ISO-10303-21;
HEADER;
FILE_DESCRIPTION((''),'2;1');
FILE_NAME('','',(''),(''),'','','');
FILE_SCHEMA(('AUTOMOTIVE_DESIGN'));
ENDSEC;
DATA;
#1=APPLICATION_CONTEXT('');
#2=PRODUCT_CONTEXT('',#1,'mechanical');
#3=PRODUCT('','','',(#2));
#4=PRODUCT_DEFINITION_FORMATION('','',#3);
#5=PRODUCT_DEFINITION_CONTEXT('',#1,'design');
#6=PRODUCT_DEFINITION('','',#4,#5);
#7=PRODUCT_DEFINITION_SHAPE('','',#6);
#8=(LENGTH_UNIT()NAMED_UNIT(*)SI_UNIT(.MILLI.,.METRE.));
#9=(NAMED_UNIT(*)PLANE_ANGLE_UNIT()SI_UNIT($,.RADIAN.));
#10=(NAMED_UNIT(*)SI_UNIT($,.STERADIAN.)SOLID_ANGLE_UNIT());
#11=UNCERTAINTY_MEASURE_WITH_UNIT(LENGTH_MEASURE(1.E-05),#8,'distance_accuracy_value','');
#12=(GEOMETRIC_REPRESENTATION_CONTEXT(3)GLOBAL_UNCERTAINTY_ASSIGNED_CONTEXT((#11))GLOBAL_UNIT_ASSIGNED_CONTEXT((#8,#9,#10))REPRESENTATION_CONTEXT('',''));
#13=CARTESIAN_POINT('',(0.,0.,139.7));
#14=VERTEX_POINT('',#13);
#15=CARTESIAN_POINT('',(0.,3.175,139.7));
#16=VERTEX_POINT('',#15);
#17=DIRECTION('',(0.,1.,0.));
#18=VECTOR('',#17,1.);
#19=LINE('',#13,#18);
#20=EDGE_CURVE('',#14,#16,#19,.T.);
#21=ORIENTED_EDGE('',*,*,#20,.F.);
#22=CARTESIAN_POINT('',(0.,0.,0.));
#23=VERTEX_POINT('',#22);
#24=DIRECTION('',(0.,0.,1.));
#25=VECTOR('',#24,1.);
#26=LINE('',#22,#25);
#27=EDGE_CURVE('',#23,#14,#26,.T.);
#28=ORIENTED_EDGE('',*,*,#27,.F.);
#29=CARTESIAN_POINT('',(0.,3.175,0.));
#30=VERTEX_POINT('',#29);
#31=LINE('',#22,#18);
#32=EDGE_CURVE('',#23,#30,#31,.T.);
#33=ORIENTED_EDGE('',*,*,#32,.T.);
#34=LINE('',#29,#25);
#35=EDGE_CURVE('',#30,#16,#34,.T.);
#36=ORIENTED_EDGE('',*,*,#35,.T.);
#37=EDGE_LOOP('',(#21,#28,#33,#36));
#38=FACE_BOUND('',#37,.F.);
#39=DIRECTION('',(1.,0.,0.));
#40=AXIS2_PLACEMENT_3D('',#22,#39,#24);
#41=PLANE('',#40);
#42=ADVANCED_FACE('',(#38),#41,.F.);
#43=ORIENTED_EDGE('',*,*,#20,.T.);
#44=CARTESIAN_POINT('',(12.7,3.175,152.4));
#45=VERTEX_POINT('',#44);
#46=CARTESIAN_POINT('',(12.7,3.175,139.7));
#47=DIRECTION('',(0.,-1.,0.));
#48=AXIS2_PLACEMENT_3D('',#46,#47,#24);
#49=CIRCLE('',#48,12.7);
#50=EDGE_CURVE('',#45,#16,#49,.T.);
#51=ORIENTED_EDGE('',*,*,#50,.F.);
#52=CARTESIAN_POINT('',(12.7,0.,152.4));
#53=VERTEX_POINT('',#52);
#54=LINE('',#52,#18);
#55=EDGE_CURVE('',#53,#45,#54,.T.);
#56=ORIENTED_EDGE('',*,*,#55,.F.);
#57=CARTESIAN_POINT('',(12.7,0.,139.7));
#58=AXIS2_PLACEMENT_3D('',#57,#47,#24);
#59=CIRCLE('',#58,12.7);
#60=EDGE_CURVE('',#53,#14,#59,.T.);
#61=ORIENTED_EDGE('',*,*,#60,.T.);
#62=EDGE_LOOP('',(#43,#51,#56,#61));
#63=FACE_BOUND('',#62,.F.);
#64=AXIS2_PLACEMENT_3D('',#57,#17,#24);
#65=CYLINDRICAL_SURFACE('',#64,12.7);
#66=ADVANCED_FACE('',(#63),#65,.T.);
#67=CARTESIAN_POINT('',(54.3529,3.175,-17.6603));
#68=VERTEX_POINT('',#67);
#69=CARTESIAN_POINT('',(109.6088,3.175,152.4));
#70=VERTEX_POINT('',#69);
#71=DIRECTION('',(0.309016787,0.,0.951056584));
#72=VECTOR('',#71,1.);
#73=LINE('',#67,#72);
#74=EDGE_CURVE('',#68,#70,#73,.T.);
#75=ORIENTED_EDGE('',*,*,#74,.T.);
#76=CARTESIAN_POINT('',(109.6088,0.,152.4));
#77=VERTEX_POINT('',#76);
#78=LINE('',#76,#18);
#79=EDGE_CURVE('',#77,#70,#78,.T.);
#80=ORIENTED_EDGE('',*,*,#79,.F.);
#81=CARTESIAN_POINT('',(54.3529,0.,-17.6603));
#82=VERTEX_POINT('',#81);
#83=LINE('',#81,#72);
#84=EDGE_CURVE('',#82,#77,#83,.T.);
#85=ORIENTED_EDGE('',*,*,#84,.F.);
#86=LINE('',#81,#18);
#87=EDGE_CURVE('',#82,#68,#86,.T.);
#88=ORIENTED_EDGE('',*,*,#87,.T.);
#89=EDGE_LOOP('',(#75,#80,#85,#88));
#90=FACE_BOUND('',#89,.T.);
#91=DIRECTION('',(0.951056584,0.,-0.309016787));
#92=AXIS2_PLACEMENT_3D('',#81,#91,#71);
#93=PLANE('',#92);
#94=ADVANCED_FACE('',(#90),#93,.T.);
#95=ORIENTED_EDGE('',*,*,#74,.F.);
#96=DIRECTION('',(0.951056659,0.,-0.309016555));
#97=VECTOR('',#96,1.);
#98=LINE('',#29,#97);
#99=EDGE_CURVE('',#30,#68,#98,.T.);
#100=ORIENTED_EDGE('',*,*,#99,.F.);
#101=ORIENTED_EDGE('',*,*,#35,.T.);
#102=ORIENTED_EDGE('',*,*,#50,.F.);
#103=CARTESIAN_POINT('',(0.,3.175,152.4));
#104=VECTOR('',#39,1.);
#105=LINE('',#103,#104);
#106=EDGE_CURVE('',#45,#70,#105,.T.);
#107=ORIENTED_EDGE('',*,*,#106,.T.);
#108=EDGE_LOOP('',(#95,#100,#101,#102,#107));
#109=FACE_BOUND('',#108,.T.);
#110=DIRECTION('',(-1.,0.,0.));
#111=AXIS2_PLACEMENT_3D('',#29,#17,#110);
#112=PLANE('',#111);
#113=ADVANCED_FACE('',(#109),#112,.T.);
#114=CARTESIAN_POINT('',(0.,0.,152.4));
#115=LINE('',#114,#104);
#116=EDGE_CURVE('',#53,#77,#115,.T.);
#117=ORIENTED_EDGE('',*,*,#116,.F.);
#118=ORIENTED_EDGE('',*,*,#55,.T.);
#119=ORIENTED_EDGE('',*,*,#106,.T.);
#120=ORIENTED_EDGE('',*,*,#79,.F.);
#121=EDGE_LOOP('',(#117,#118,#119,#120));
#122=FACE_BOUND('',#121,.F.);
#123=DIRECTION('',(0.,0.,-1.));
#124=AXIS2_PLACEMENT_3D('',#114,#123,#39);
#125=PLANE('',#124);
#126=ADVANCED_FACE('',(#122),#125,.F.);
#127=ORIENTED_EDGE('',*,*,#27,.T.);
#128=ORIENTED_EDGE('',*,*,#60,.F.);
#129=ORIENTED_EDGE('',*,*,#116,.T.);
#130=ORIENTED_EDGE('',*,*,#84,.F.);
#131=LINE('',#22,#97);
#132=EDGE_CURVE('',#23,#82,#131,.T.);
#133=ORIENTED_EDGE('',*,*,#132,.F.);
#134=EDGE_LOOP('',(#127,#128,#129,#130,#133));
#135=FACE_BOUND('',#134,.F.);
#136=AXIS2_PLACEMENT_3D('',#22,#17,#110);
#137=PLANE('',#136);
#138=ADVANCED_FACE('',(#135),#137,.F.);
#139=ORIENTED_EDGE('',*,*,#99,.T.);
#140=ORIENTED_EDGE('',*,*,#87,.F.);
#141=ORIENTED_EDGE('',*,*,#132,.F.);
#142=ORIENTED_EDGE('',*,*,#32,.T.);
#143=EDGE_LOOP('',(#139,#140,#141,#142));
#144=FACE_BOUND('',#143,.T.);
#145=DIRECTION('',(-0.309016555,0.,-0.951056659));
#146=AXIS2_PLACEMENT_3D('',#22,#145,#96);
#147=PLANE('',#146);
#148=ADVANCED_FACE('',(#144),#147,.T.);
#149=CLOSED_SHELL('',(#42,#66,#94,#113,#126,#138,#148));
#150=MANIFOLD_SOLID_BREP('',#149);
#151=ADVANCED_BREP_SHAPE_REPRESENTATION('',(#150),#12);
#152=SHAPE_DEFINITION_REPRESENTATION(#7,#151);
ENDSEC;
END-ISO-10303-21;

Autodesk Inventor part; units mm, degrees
ref_plane "YZ Plane" through (0, 0, 0) normal (1, 0, 0) x (0, 1, 0)
ref_plane "XZ Plane" through (0, 0, 0) normal (0, 1, 0) x (-1, 0, 0)
ref_plane "XY Plane" through (0, 0, 0) normal (0, 0, 1) x (1, 0, 0)
sketch "Sketch1" plane through (0, 0, 0) normal (0, 1, 0) x (-1, 0, 0)
  line L0 (0, 0) -> (0, 152.4)
  line L1 (0, 0) -> (-54.3529, -17.6603)
  line L2 (-54.3529, -17.6603) -> (-109.6088, 152.4)
  line L3 (0, 152.4) -> (-109.6088, 152.4)
  dimension "d0" = 72
  dimension "d1" = 152.4
  dimension "d2" = 57.15
extrude "Extrusion1" add sketch "Sketch1" along normal blind 3.175
fillet "Fillet1" radius 12.7 1 edges at (0, 1.5875, 152.4)
properties part number "Gear Plates"
